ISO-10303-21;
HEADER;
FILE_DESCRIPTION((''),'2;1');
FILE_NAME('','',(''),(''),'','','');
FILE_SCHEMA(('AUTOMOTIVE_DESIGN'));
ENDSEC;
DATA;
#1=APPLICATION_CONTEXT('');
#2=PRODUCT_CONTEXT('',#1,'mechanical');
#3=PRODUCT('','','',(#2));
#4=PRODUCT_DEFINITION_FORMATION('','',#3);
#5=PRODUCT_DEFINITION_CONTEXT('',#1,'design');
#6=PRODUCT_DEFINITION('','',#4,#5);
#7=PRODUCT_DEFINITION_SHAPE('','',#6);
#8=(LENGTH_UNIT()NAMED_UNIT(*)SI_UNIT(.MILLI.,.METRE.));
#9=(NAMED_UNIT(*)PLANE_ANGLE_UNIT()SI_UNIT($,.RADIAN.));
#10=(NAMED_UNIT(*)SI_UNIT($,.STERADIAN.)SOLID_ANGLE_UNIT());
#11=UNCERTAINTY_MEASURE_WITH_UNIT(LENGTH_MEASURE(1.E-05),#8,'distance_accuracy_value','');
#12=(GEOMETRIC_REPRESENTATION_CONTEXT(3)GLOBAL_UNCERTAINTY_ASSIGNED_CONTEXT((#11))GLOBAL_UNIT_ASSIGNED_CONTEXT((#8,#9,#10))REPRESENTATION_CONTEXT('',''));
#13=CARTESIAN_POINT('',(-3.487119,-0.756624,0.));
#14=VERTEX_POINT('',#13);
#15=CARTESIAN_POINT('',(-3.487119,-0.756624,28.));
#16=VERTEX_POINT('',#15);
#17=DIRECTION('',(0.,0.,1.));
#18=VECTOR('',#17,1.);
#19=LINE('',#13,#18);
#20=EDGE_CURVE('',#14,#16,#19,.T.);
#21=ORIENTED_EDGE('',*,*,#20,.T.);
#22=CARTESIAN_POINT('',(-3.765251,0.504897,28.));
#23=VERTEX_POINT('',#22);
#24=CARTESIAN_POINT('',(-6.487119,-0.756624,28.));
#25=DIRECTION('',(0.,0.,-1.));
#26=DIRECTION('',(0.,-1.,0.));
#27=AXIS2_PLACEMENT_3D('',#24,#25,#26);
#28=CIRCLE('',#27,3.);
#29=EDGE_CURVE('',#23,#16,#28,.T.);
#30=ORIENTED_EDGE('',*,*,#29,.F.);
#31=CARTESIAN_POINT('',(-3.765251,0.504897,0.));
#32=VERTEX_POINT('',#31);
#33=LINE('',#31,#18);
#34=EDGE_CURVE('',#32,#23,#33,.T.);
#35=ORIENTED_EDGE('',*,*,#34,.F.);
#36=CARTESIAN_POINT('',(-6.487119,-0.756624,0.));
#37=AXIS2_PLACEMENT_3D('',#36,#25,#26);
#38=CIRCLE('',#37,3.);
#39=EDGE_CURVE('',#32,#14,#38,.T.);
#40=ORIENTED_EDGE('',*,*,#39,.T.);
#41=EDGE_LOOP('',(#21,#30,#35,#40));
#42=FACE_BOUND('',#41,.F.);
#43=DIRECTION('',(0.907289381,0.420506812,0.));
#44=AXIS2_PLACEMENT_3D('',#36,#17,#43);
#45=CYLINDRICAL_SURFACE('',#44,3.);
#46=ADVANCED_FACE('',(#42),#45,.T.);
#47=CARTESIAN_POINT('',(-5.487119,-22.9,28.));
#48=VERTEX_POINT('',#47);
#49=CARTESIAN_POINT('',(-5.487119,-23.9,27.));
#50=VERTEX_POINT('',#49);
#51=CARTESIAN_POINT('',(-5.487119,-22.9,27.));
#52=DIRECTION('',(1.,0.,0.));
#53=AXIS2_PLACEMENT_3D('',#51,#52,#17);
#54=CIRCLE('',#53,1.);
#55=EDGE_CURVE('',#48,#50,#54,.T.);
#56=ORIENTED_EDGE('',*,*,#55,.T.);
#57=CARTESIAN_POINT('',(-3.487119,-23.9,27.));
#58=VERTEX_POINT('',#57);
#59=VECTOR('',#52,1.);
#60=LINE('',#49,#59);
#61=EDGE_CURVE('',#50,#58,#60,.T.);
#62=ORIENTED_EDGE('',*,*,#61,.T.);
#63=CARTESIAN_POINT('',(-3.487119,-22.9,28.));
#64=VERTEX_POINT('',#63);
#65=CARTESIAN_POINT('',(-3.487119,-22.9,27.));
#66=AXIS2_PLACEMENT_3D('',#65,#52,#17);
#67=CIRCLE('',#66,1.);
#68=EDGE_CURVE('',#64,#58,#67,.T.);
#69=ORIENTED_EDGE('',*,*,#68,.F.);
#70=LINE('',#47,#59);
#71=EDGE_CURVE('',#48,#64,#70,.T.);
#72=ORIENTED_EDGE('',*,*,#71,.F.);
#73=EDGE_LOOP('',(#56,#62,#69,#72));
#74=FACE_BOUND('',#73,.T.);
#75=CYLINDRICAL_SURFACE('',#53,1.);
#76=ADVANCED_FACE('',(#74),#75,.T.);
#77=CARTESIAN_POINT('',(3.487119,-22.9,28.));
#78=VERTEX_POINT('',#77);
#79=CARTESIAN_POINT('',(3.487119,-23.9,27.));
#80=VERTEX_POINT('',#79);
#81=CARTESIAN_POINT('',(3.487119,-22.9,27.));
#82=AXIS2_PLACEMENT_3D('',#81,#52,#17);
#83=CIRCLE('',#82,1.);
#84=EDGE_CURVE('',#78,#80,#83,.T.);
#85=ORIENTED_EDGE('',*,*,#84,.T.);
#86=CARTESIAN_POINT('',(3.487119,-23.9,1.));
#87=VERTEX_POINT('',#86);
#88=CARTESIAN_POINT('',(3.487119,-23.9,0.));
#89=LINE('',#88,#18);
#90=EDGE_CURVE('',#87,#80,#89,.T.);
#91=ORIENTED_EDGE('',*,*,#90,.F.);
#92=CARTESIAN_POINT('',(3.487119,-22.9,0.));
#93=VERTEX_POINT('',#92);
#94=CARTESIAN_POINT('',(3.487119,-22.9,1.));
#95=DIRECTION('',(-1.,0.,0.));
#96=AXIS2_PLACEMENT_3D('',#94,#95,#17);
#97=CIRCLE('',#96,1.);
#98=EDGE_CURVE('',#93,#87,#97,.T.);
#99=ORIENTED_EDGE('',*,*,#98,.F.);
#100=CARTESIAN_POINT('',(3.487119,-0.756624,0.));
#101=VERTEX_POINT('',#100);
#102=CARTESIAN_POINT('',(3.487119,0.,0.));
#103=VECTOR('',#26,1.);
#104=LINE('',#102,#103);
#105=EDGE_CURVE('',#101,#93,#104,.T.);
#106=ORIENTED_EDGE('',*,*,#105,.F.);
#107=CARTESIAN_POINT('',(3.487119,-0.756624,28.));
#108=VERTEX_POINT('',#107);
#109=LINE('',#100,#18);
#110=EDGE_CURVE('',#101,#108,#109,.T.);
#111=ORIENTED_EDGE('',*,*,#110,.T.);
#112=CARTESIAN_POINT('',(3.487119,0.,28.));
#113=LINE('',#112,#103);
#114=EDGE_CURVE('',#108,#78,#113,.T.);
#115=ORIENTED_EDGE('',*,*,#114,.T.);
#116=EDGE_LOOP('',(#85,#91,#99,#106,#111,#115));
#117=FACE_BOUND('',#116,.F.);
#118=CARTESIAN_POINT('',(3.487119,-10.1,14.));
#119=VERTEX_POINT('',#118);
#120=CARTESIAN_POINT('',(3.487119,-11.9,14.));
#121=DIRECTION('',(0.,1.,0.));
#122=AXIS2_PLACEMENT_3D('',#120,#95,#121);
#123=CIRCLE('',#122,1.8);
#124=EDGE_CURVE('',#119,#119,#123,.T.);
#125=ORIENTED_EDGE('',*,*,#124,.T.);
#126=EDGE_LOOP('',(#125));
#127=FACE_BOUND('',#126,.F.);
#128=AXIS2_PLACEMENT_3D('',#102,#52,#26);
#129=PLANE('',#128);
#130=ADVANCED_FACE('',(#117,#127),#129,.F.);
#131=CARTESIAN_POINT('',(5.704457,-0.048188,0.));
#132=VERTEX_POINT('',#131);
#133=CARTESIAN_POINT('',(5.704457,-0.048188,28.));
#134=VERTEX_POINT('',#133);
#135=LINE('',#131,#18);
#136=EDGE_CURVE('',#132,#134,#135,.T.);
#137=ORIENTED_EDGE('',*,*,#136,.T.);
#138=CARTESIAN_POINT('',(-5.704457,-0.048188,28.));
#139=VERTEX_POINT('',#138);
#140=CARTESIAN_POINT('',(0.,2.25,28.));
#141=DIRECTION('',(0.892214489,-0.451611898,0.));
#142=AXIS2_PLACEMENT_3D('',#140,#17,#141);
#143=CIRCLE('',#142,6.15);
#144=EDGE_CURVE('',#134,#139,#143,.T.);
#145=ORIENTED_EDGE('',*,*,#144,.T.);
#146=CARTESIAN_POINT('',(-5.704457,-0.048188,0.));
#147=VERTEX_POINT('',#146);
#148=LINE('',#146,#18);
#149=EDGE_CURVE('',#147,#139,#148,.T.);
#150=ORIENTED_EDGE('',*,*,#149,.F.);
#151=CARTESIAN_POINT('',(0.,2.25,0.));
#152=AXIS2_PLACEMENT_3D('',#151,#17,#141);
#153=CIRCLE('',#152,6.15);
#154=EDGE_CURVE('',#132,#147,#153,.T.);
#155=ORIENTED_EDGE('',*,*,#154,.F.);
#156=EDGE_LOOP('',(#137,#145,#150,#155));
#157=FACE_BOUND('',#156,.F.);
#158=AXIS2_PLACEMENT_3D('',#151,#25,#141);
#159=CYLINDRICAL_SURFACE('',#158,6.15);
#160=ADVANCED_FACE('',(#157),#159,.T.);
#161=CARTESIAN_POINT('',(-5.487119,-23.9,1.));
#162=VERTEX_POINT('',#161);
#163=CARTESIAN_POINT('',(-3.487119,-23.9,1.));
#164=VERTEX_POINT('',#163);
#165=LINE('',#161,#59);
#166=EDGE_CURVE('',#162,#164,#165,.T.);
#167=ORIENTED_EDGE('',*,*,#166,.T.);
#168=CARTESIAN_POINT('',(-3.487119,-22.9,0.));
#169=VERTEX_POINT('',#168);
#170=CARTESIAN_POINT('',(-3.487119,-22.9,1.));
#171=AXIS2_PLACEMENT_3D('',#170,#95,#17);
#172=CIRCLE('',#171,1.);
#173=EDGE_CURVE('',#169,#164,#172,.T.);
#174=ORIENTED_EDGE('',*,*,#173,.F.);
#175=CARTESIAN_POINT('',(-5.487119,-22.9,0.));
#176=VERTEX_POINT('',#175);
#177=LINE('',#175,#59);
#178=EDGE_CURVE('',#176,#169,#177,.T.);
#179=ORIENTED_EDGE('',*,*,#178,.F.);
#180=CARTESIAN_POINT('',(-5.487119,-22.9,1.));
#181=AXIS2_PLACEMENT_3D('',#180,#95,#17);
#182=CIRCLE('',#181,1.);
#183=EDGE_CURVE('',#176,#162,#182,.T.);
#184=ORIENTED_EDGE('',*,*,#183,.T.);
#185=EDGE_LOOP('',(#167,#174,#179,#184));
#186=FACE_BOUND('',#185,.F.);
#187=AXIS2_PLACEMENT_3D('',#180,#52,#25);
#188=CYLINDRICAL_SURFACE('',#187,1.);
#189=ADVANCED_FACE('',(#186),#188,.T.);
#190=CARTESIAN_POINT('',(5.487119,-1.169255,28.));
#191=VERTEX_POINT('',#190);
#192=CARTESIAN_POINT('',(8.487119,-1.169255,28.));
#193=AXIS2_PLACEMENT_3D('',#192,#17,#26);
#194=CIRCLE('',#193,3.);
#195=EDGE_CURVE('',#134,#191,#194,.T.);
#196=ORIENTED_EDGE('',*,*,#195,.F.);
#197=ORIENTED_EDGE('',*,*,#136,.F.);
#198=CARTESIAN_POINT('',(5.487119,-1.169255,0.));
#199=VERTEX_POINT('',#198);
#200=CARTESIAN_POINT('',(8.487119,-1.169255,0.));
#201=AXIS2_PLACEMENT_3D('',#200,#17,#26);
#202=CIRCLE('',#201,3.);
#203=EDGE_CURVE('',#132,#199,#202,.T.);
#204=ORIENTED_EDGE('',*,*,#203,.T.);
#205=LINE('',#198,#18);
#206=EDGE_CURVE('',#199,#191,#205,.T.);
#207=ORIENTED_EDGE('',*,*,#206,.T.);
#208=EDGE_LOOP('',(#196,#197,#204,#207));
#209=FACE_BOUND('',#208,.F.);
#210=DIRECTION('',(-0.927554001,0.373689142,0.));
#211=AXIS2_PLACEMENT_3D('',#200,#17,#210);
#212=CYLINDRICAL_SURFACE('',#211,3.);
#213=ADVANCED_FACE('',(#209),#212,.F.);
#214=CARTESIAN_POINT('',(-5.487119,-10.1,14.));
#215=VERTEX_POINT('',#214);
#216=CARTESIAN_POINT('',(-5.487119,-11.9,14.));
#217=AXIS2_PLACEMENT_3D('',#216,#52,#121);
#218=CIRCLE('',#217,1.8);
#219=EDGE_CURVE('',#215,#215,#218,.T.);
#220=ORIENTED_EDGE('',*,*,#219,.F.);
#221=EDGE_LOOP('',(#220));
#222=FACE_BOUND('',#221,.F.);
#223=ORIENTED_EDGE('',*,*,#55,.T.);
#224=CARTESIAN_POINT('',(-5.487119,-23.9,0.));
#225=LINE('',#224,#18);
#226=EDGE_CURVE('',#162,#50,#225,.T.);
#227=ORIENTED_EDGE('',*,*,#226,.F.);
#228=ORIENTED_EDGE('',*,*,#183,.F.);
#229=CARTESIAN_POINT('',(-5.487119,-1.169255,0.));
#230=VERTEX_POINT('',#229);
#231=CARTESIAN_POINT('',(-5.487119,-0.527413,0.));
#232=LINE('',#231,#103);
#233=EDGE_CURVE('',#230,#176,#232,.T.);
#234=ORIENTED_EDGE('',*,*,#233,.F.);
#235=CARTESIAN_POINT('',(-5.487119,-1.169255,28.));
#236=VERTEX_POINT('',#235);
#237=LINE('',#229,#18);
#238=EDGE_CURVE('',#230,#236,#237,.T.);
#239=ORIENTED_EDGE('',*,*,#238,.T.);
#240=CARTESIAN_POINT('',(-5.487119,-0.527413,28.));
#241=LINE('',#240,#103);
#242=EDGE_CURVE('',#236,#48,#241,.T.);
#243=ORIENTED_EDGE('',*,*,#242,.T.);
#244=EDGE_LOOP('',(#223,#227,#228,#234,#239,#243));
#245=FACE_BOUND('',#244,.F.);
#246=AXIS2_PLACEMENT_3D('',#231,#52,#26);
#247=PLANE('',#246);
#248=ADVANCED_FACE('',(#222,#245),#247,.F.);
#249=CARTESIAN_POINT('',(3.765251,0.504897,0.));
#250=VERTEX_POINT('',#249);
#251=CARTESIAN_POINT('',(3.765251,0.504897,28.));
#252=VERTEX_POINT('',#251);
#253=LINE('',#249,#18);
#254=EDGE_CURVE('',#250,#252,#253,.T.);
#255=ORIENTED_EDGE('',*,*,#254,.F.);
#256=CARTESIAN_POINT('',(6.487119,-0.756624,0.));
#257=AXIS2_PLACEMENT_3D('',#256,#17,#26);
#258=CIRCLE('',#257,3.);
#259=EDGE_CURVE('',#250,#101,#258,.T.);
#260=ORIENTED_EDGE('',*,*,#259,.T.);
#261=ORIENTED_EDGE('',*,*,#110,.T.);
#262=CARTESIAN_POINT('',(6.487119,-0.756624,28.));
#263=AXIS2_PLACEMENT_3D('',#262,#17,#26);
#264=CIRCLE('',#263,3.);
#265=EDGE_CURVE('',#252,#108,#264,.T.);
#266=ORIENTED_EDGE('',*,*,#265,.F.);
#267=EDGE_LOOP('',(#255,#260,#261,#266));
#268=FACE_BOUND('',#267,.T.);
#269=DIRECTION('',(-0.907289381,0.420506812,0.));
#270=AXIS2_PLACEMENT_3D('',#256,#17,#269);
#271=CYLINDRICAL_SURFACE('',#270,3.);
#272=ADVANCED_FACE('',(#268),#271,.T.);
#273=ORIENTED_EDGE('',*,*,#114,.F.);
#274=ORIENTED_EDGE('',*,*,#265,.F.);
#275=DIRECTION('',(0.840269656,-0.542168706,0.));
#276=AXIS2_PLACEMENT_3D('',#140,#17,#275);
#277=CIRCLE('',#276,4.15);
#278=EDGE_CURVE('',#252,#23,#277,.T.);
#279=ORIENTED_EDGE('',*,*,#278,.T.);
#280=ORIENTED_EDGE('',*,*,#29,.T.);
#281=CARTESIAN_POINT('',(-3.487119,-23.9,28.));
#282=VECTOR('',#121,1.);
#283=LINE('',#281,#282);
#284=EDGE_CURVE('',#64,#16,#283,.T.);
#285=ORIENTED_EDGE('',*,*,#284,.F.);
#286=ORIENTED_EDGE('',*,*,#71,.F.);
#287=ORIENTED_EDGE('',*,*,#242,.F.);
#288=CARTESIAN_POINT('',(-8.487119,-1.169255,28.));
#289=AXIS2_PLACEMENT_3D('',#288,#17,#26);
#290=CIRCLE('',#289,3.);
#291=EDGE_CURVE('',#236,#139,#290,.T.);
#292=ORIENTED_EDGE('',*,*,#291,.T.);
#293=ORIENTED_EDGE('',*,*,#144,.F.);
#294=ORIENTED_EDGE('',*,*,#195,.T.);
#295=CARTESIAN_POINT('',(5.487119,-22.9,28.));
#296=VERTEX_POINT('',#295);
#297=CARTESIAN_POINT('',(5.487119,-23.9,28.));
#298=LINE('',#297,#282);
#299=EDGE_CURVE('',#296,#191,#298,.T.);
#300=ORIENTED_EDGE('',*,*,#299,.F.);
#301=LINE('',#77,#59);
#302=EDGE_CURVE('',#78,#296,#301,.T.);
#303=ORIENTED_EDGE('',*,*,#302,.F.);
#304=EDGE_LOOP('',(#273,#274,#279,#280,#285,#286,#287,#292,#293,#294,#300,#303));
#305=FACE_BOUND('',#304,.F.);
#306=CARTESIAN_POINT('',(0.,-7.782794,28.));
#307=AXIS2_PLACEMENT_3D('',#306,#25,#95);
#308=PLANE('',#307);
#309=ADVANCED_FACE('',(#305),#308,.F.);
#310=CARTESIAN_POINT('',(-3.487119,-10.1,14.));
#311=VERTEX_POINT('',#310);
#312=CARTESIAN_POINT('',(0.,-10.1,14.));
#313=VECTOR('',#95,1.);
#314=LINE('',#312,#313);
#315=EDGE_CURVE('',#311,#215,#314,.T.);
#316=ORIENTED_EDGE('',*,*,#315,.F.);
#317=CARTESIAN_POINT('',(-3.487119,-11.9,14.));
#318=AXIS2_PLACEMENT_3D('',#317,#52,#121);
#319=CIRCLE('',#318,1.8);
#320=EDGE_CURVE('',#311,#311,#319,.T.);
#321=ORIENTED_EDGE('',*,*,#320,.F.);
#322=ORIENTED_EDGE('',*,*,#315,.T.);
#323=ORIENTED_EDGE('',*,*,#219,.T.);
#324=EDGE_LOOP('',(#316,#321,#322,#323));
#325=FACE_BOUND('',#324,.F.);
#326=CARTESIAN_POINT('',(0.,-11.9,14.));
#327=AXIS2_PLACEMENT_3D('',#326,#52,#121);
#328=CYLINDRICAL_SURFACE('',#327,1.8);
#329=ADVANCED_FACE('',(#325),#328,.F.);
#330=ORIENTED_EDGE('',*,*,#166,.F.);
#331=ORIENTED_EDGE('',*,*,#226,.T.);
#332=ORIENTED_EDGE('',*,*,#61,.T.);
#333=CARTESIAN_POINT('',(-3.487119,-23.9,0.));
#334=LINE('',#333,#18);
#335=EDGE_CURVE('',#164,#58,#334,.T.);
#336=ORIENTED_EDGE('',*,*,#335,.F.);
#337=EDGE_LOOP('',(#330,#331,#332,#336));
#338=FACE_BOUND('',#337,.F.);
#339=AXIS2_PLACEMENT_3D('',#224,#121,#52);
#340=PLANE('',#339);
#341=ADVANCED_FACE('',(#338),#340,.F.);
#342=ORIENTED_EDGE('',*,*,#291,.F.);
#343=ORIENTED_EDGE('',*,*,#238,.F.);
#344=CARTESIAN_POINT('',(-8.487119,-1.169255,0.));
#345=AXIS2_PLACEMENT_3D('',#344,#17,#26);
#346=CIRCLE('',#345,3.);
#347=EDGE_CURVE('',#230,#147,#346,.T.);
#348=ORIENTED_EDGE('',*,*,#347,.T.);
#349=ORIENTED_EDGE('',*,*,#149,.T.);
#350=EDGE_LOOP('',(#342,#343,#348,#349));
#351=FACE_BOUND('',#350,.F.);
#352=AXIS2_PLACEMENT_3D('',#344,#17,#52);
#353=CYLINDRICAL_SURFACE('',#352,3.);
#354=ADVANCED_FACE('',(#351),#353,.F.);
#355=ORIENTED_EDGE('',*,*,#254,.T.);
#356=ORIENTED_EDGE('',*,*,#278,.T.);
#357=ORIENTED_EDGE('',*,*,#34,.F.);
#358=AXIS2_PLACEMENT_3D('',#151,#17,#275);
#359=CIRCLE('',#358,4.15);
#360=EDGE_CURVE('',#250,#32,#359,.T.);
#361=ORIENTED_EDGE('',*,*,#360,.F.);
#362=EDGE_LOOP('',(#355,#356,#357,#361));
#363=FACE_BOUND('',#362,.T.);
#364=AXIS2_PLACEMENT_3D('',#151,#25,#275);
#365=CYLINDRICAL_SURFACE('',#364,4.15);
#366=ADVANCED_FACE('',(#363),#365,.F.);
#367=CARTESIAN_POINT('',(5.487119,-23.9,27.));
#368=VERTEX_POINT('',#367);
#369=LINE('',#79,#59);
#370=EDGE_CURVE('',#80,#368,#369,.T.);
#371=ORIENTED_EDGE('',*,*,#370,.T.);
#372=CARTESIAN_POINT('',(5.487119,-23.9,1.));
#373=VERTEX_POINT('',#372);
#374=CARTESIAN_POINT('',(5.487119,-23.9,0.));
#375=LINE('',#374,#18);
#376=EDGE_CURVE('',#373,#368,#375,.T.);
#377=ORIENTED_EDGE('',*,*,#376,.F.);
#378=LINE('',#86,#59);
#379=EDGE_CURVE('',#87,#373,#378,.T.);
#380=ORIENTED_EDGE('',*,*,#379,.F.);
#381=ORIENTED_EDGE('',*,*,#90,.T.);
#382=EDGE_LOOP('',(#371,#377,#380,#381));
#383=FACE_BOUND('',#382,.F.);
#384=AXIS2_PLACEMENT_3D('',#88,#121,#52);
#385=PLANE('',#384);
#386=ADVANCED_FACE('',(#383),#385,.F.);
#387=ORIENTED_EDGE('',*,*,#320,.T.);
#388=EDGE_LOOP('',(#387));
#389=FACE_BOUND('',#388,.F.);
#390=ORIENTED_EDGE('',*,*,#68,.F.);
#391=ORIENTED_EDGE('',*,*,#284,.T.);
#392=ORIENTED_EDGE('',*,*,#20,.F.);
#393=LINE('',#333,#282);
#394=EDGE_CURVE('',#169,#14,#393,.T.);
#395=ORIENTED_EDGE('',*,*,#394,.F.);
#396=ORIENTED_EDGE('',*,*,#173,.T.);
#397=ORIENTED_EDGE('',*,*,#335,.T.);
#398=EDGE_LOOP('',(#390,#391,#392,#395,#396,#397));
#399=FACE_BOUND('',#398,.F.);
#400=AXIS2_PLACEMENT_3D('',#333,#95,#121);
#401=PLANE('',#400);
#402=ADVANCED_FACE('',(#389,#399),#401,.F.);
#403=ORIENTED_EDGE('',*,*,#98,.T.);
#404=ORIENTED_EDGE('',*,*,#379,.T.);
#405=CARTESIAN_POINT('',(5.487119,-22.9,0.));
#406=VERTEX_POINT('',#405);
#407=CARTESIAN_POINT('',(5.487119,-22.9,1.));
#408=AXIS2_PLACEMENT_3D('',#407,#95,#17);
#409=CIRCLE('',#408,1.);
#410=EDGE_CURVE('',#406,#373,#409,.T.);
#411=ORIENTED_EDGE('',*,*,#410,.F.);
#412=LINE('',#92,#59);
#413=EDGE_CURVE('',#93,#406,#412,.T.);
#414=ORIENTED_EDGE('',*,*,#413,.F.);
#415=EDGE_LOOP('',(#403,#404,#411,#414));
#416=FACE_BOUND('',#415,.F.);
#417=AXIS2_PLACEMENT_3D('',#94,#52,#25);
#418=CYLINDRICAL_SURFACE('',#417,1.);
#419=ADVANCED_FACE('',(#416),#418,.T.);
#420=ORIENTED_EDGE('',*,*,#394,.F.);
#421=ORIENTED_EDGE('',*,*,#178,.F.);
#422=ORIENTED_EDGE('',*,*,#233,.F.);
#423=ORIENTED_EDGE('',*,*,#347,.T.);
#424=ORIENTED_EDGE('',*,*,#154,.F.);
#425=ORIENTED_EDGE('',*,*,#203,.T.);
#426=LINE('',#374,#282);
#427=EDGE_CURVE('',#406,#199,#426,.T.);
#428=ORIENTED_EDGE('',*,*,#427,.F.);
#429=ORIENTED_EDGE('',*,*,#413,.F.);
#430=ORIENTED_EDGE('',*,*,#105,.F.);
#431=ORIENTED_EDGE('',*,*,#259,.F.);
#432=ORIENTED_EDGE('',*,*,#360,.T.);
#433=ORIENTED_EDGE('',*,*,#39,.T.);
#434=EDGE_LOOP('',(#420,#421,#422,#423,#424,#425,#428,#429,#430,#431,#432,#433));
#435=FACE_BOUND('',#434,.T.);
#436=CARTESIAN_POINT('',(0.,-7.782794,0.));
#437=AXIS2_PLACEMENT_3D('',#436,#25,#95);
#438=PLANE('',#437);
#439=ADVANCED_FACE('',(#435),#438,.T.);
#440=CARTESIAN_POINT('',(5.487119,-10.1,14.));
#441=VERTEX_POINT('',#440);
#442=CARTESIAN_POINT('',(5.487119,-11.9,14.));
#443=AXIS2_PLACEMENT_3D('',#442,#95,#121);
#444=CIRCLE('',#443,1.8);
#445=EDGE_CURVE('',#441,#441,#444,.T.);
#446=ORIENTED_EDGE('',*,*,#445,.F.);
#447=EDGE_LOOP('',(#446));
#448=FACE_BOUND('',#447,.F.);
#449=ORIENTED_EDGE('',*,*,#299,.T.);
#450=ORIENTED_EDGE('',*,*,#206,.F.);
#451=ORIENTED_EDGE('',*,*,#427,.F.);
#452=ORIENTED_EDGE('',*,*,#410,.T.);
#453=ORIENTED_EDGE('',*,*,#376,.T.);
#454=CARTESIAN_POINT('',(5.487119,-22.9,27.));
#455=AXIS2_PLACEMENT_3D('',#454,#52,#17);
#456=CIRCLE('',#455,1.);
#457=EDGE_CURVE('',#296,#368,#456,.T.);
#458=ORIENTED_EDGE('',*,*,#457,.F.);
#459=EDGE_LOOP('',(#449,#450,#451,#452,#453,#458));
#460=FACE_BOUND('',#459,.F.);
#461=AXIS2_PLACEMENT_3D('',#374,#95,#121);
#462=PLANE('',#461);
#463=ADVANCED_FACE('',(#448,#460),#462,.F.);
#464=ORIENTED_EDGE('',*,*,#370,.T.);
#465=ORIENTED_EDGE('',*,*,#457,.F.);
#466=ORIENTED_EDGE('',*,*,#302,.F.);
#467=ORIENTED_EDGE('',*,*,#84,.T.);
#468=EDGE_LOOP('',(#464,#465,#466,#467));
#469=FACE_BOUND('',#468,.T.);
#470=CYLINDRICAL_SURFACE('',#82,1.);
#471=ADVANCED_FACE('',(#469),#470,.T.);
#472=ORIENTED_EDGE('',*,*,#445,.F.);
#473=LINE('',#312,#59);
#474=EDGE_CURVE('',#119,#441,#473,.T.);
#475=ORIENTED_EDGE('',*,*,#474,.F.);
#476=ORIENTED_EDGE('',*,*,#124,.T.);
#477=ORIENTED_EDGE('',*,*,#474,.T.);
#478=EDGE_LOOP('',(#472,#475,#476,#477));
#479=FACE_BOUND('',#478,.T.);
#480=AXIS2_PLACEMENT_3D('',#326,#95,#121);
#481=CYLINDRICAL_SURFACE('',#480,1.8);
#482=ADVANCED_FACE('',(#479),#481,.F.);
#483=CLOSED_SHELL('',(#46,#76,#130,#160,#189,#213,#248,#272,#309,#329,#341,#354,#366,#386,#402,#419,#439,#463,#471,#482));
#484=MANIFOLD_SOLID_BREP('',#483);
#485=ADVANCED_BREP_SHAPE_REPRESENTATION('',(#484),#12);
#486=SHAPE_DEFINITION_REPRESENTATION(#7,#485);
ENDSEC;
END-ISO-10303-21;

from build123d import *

# Parameters (mm, degrees)
PAD_DEPTH         = 28
SKETCH001_R       = 1.8
POCKET_DEPTH      = 6.151
POCKET_DEPTH_BACK = -6.151
FILLET_R          = 3
FILLET001_R       = 1


with BuildPart() as part:
    # Sketch → Pad (new body)
    with BuildSketch(Plane.XY):
        with BuildLine():
            ThreePointArc((3.487119, 0), (0, 6.4), (-3.487119, 0))
            Line((-3.487119, -23.9), (-3.487119, 0))
            Line((-5.487119, -23.9), (-3.487119, -23.9))
            Line((-5.487119, -0.527413), (-5.487119, -23.9))
            ThreePointArc((5.487119, -0.527413), (0, 8.4), (-5.487119, -0.527413))
            Line((5.487119, -23.9), (5.487119, -0.527413))
            Line((3.487119, -23.9), (5.487119, -23.9))
            Line((3.487119, 0), (3.487119, -23.9))
        make_face()
    extrude(amount=PAD_DEPTH)

    # Sketch001 → Pocket (cut, two sides)
    with BuildSketch(Plane.YZ) as pocket_sk:
        with Locations((-11.9, 14)):
            Circle(SKETCH001_R)
    extrude(amount=-POCKET_DEPTH, mode=Mode.SUBTRACT)
    extrude(pocket_sk.sketch, amount=-POCKET_DEPTH_BACK, mode=Mode.SUBTRACT)

    # Fillet
    fillet_edges = [part.edges().sort_by_distance(p)[0] for p in [
        (3.487119, 0, 14),
        (-3.487119, 0, 14),
        (5.487119, -0.527413, 14),
        (-5.487119, -0.527413, 14),
    ]]
    fillet(fillet_edges, radius=FILLET_R)

    # Fillet001
    fillet001_edges = [part.edges().sort_by_distance(p)[0] for p in [
        (4.487119, -23.9, 28),
        (-4.487119, -23.9, 28),
        (-4.487119, -23.9, 0),
        (4.487119, -23.9, 0),
    ]]
    fillet(fillet001_edges, radius=FILLET001_R)


solid = part.part
